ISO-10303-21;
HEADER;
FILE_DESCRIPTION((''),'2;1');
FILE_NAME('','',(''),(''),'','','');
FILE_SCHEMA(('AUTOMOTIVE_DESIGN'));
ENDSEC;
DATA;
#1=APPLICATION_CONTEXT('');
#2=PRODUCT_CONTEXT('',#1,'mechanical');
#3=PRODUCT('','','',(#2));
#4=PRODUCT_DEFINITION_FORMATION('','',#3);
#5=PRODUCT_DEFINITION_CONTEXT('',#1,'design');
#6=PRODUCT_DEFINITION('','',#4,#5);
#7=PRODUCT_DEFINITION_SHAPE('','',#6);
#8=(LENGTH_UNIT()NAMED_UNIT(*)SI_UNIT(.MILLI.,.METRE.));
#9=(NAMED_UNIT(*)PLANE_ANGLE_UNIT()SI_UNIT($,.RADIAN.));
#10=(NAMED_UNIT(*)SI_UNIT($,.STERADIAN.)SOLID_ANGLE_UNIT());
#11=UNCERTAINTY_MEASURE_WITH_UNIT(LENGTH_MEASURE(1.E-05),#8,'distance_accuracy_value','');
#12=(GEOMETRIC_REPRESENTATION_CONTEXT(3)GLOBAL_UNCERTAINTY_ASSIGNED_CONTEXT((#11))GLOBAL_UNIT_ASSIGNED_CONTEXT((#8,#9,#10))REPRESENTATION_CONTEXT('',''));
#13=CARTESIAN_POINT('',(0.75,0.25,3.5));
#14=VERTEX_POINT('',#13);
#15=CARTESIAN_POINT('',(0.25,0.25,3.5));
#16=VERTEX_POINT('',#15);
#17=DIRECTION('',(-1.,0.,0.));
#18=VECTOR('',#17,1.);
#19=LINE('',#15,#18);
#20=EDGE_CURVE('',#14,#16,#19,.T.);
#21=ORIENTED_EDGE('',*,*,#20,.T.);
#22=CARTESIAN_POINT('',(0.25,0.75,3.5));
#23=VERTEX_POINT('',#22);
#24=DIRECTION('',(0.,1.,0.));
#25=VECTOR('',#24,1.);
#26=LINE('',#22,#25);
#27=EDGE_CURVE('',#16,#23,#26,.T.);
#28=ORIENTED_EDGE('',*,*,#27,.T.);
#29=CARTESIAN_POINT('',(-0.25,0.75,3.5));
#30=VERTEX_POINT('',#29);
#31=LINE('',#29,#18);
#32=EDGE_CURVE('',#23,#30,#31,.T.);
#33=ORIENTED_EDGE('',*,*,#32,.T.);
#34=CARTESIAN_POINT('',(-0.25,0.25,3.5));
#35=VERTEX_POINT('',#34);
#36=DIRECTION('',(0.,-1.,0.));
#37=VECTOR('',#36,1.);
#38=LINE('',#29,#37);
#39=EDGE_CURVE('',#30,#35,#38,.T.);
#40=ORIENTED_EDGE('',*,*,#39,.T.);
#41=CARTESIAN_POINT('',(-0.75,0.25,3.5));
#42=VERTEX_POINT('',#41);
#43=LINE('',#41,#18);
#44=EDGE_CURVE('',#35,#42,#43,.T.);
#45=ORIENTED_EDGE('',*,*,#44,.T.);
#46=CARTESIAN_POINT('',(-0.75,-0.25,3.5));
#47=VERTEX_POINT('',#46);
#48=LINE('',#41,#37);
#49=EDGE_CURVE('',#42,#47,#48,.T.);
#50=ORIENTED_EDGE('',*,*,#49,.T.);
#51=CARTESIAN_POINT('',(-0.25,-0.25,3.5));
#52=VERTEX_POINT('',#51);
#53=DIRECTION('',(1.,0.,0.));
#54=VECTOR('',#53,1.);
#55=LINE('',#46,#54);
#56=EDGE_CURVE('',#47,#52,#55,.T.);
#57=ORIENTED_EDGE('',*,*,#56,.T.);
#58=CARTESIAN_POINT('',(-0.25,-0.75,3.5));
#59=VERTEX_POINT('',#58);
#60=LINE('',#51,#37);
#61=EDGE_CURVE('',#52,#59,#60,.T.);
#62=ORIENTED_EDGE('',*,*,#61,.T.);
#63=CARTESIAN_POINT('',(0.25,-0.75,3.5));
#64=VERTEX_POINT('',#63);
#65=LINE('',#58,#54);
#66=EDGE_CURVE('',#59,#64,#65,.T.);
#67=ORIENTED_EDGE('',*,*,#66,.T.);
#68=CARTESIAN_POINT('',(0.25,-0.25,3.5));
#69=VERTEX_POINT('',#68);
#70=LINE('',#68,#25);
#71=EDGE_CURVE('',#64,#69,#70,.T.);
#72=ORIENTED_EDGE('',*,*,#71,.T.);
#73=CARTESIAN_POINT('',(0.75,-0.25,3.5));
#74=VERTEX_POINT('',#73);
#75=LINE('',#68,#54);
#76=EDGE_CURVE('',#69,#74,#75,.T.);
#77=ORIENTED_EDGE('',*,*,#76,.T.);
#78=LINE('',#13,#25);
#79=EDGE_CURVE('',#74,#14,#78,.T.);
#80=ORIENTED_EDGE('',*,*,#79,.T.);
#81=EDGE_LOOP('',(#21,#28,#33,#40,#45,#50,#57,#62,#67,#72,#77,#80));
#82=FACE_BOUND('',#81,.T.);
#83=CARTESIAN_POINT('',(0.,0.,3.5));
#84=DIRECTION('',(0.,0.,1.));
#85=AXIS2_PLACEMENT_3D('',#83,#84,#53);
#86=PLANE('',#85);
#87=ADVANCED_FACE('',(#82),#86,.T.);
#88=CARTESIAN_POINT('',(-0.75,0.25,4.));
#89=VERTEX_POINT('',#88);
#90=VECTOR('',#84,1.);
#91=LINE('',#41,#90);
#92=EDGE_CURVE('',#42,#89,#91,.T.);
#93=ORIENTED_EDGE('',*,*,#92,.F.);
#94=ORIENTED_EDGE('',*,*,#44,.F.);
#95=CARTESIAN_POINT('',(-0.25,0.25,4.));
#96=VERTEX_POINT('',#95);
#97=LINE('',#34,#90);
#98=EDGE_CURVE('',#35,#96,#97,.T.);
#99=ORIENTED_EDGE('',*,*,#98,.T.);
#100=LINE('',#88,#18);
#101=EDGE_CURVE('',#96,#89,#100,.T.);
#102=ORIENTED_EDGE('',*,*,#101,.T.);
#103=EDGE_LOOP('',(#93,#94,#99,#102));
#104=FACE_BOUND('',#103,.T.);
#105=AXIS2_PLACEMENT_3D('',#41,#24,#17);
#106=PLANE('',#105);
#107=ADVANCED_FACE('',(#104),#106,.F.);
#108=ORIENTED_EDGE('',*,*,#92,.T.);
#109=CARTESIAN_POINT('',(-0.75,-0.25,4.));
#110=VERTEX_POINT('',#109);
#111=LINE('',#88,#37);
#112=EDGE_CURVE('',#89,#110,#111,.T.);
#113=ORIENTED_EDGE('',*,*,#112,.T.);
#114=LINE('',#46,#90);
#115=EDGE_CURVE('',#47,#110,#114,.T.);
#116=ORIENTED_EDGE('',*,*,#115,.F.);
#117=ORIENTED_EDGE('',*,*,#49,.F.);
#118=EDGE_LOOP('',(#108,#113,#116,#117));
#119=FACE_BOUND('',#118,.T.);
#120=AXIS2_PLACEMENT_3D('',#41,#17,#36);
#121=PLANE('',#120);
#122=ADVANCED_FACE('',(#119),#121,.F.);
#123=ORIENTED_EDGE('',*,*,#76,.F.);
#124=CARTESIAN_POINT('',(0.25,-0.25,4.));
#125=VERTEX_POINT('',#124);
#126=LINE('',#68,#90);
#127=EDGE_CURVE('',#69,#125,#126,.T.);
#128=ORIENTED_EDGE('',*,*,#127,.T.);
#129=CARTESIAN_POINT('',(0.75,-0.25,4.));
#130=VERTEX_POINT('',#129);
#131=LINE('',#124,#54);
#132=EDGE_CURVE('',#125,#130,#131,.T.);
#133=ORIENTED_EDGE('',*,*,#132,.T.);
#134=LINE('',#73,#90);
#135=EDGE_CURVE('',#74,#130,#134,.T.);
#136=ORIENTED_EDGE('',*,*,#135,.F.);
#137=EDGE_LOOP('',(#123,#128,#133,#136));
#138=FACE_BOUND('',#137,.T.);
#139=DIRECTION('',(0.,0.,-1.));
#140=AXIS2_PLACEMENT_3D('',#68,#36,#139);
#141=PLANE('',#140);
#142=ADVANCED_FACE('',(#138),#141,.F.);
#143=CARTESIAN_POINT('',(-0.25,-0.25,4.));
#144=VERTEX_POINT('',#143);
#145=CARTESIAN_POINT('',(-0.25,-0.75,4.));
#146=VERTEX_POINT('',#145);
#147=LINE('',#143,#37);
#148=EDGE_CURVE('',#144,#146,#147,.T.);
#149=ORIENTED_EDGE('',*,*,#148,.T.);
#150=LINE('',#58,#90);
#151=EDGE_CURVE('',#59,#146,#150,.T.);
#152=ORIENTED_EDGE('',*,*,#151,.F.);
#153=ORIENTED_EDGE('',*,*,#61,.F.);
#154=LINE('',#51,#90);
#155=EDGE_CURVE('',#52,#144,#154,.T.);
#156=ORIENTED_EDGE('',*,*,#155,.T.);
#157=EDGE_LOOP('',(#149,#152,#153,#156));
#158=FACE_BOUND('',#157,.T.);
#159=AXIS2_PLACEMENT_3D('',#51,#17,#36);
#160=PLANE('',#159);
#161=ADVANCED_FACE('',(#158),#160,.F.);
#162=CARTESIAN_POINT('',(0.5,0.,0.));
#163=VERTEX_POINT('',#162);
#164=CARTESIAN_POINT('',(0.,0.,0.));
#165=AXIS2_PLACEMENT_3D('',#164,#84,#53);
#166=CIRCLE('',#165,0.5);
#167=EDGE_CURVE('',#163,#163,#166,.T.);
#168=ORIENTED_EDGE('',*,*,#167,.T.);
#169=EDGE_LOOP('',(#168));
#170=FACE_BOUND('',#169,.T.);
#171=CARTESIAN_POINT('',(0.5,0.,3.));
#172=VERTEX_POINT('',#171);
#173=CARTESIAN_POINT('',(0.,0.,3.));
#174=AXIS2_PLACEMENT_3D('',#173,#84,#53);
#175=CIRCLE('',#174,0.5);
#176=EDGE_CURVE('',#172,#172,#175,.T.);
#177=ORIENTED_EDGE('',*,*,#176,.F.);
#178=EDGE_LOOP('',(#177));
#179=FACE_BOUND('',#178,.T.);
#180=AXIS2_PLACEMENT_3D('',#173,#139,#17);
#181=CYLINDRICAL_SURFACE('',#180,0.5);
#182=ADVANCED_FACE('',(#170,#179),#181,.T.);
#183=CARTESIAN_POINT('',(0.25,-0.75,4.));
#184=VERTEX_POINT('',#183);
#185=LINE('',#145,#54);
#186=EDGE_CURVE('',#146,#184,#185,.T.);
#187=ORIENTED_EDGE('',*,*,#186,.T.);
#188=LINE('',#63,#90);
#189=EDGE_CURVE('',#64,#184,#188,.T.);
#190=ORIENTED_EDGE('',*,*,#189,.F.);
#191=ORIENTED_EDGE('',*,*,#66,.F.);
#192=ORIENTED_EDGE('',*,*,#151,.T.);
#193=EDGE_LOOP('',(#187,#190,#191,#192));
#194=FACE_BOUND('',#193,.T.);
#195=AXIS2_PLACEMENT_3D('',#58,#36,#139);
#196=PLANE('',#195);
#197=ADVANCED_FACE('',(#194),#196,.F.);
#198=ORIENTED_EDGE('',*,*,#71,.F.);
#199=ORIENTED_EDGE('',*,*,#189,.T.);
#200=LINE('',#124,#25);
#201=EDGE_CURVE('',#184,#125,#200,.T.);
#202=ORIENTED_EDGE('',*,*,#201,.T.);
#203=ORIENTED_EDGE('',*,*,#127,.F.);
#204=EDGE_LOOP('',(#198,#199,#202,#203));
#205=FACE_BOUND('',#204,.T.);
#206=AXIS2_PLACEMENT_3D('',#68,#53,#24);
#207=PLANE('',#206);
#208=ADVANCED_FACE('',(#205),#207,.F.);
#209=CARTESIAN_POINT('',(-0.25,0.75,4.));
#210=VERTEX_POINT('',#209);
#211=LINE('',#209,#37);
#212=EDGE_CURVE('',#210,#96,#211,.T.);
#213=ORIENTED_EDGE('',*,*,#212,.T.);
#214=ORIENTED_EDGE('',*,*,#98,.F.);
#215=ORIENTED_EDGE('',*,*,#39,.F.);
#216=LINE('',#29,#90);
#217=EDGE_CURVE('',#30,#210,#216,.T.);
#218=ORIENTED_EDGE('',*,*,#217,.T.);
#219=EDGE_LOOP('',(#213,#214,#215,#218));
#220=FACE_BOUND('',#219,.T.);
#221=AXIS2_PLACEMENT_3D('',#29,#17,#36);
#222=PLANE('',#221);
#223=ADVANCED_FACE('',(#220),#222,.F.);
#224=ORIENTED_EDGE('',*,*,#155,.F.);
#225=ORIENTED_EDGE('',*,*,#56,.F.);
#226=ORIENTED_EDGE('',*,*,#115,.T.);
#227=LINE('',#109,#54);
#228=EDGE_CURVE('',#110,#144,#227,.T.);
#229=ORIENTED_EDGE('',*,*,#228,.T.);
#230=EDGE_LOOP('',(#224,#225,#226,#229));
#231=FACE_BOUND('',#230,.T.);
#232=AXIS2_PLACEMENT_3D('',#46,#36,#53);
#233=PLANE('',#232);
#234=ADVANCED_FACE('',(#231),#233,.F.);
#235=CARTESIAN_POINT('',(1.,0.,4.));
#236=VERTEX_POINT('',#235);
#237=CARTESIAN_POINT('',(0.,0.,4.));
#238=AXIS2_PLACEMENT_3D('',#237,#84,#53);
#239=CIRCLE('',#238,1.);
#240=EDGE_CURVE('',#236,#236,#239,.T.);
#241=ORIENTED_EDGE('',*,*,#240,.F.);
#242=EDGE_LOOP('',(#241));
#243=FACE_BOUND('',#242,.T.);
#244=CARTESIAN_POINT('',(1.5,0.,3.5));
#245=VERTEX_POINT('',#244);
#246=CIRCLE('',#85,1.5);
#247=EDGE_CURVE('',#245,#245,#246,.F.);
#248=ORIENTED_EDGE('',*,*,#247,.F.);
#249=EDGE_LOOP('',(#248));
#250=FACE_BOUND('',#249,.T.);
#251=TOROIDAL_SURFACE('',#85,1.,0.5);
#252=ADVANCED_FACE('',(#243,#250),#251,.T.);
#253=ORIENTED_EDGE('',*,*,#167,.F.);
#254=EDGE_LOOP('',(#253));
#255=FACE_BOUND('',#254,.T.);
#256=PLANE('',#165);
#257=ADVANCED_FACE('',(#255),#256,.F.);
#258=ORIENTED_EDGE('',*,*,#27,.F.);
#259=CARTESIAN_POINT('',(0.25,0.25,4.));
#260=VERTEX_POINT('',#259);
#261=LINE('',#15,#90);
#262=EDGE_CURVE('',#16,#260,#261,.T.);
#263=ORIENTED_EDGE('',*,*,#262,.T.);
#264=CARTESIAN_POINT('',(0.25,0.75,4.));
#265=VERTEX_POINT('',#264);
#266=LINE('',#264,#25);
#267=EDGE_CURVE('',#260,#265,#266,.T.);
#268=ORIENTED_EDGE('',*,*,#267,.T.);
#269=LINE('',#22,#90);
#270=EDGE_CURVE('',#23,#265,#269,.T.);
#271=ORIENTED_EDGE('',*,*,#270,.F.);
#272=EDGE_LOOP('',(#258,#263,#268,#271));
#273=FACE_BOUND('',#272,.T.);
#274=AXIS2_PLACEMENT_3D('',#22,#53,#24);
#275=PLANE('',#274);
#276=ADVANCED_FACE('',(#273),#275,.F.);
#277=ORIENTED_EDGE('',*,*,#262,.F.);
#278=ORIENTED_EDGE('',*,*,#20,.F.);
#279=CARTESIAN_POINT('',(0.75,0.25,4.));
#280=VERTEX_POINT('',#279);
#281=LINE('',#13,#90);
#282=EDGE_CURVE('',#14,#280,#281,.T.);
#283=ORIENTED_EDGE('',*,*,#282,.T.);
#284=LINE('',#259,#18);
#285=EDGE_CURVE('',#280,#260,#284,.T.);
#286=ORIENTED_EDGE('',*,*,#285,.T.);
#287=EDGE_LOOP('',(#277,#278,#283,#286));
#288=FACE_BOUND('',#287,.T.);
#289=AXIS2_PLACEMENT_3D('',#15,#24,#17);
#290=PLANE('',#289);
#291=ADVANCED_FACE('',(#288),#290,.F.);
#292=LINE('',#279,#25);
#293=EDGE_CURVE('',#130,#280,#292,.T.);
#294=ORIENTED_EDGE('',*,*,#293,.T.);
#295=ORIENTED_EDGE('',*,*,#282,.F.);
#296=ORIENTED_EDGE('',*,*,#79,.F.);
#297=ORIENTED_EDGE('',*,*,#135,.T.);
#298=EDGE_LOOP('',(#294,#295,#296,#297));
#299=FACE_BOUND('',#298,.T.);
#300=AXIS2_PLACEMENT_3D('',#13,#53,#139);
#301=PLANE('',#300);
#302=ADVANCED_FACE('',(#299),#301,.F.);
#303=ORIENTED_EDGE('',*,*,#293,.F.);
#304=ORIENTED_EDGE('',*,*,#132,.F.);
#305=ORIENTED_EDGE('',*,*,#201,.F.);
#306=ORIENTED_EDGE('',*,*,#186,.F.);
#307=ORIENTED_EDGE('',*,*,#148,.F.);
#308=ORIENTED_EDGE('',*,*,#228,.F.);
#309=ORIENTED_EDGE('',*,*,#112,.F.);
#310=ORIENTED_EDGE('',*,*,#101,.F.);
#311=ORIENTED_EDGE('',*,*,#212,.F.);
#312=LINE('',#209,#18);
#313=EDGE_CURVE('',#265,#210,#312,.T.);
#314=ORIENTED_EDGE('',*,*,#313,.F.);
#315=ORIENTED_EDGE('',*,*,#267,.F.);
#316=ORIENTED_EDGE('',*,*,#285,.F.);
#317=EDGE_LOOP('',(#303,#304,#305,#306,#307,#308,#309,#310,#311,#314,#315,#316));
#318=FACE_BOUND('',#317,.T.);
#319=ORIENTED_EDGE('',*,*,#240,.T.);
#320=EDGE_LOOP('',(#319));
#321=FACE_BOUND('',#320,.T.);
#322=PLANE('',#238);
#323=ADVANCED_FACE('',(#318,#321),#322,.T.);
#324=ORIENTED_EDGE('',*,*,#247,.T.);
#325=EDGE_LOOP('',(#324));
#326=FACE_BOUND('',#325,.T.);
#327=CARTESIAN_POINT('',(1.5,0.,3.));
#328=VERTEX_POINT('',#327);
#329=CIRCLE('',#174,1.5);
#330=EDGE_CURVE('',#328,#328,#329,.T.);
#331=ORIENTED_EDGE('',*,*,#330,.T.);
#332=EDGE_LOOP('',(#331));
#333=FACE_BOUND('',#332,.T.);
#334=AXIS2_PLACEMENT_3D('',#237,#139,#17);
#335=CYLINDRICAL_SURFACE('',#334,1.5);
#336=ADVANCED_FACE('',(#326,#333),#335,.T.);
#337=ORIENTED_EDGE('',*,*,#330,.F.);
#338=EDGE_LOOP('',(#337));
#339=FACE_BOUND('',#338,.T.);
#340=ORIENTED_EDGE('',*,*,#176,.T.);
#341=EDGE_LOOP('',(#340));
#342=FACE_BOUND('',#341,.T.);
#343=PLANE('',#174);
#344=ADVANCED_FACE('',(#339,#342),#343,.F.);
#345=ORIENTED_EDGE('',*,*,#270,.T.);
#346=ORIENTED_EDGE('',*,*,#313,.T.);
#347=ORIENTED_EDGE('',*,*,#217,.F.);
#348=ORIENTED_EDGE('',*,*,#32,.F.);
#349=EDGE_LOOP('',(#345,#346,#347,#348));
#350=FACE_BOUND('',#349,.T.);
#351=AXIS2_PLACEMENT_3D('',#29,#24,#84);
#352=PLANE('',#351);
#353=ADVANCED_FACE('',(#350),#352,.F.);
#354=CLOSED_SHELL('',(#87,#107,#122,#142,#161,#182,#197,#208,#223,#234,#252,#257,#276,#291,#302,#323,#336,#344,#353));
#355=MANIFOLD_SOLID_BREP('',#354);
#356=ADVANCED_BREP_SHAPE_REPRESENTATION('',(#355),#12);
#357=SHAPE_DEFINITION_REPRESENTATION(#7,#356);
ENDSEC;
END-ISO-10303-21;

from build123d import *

# Parameters (mm, degrees)
SKETCH_1_R          = 0.5
EXTRUDE_1_DEPTH     = 3
SKETCH_2_R          = 1.5
EXTRUDE_2_DEPTH     = 1
FILLET_1_R          = 0.5
CUT_EXTRUDE_1_DEPTH = 0.5


with BuildPart() as part:
    # 草图1 → 凸台-拉伸1 (new body)
    with BuildSketch(Plane.XY):
        Circle(SKETCH_1_R)
    extrude(amount=EXTRUDE_1_DEPTH)

    # 草图2 → 凸台-拉伸2 (add)
    with BuildSketch(Plane.XY.offset(3)):
        Circle(SKETCH_2_R)
    extrude(amount=EXTRUDE_2_DEPTH)

    # 圆角1
    fillet_1_edges = [part.edges().sort_by_distance(p)[0] for p in [
        (-1.5, 0, 4),
    ]]
    fillet(fillet_1_edges, radius=FILLET_1_R)

    # 草图3 → 切除-拉伸1 (cut)
    with BuildSketch(Plane.XY.offset(4)):
        Polygon((-0.75, 0.25), (-0.25, 0.25), (-0.25, 0.75), (0.25, 0.75), (0.25, 0.25), (0.75, 0.25), (0.75, -0.25), (0.25, -0.25), (0.25, -0.75), (-0.25, -0.75), (-0.25, -0.25), (-0.75, -0.25), align=None)
    extrude(amount=-CUT_EXTRUDE_1_DEPTH, mode=Mode.SUBTRACT)


solid = part.part
